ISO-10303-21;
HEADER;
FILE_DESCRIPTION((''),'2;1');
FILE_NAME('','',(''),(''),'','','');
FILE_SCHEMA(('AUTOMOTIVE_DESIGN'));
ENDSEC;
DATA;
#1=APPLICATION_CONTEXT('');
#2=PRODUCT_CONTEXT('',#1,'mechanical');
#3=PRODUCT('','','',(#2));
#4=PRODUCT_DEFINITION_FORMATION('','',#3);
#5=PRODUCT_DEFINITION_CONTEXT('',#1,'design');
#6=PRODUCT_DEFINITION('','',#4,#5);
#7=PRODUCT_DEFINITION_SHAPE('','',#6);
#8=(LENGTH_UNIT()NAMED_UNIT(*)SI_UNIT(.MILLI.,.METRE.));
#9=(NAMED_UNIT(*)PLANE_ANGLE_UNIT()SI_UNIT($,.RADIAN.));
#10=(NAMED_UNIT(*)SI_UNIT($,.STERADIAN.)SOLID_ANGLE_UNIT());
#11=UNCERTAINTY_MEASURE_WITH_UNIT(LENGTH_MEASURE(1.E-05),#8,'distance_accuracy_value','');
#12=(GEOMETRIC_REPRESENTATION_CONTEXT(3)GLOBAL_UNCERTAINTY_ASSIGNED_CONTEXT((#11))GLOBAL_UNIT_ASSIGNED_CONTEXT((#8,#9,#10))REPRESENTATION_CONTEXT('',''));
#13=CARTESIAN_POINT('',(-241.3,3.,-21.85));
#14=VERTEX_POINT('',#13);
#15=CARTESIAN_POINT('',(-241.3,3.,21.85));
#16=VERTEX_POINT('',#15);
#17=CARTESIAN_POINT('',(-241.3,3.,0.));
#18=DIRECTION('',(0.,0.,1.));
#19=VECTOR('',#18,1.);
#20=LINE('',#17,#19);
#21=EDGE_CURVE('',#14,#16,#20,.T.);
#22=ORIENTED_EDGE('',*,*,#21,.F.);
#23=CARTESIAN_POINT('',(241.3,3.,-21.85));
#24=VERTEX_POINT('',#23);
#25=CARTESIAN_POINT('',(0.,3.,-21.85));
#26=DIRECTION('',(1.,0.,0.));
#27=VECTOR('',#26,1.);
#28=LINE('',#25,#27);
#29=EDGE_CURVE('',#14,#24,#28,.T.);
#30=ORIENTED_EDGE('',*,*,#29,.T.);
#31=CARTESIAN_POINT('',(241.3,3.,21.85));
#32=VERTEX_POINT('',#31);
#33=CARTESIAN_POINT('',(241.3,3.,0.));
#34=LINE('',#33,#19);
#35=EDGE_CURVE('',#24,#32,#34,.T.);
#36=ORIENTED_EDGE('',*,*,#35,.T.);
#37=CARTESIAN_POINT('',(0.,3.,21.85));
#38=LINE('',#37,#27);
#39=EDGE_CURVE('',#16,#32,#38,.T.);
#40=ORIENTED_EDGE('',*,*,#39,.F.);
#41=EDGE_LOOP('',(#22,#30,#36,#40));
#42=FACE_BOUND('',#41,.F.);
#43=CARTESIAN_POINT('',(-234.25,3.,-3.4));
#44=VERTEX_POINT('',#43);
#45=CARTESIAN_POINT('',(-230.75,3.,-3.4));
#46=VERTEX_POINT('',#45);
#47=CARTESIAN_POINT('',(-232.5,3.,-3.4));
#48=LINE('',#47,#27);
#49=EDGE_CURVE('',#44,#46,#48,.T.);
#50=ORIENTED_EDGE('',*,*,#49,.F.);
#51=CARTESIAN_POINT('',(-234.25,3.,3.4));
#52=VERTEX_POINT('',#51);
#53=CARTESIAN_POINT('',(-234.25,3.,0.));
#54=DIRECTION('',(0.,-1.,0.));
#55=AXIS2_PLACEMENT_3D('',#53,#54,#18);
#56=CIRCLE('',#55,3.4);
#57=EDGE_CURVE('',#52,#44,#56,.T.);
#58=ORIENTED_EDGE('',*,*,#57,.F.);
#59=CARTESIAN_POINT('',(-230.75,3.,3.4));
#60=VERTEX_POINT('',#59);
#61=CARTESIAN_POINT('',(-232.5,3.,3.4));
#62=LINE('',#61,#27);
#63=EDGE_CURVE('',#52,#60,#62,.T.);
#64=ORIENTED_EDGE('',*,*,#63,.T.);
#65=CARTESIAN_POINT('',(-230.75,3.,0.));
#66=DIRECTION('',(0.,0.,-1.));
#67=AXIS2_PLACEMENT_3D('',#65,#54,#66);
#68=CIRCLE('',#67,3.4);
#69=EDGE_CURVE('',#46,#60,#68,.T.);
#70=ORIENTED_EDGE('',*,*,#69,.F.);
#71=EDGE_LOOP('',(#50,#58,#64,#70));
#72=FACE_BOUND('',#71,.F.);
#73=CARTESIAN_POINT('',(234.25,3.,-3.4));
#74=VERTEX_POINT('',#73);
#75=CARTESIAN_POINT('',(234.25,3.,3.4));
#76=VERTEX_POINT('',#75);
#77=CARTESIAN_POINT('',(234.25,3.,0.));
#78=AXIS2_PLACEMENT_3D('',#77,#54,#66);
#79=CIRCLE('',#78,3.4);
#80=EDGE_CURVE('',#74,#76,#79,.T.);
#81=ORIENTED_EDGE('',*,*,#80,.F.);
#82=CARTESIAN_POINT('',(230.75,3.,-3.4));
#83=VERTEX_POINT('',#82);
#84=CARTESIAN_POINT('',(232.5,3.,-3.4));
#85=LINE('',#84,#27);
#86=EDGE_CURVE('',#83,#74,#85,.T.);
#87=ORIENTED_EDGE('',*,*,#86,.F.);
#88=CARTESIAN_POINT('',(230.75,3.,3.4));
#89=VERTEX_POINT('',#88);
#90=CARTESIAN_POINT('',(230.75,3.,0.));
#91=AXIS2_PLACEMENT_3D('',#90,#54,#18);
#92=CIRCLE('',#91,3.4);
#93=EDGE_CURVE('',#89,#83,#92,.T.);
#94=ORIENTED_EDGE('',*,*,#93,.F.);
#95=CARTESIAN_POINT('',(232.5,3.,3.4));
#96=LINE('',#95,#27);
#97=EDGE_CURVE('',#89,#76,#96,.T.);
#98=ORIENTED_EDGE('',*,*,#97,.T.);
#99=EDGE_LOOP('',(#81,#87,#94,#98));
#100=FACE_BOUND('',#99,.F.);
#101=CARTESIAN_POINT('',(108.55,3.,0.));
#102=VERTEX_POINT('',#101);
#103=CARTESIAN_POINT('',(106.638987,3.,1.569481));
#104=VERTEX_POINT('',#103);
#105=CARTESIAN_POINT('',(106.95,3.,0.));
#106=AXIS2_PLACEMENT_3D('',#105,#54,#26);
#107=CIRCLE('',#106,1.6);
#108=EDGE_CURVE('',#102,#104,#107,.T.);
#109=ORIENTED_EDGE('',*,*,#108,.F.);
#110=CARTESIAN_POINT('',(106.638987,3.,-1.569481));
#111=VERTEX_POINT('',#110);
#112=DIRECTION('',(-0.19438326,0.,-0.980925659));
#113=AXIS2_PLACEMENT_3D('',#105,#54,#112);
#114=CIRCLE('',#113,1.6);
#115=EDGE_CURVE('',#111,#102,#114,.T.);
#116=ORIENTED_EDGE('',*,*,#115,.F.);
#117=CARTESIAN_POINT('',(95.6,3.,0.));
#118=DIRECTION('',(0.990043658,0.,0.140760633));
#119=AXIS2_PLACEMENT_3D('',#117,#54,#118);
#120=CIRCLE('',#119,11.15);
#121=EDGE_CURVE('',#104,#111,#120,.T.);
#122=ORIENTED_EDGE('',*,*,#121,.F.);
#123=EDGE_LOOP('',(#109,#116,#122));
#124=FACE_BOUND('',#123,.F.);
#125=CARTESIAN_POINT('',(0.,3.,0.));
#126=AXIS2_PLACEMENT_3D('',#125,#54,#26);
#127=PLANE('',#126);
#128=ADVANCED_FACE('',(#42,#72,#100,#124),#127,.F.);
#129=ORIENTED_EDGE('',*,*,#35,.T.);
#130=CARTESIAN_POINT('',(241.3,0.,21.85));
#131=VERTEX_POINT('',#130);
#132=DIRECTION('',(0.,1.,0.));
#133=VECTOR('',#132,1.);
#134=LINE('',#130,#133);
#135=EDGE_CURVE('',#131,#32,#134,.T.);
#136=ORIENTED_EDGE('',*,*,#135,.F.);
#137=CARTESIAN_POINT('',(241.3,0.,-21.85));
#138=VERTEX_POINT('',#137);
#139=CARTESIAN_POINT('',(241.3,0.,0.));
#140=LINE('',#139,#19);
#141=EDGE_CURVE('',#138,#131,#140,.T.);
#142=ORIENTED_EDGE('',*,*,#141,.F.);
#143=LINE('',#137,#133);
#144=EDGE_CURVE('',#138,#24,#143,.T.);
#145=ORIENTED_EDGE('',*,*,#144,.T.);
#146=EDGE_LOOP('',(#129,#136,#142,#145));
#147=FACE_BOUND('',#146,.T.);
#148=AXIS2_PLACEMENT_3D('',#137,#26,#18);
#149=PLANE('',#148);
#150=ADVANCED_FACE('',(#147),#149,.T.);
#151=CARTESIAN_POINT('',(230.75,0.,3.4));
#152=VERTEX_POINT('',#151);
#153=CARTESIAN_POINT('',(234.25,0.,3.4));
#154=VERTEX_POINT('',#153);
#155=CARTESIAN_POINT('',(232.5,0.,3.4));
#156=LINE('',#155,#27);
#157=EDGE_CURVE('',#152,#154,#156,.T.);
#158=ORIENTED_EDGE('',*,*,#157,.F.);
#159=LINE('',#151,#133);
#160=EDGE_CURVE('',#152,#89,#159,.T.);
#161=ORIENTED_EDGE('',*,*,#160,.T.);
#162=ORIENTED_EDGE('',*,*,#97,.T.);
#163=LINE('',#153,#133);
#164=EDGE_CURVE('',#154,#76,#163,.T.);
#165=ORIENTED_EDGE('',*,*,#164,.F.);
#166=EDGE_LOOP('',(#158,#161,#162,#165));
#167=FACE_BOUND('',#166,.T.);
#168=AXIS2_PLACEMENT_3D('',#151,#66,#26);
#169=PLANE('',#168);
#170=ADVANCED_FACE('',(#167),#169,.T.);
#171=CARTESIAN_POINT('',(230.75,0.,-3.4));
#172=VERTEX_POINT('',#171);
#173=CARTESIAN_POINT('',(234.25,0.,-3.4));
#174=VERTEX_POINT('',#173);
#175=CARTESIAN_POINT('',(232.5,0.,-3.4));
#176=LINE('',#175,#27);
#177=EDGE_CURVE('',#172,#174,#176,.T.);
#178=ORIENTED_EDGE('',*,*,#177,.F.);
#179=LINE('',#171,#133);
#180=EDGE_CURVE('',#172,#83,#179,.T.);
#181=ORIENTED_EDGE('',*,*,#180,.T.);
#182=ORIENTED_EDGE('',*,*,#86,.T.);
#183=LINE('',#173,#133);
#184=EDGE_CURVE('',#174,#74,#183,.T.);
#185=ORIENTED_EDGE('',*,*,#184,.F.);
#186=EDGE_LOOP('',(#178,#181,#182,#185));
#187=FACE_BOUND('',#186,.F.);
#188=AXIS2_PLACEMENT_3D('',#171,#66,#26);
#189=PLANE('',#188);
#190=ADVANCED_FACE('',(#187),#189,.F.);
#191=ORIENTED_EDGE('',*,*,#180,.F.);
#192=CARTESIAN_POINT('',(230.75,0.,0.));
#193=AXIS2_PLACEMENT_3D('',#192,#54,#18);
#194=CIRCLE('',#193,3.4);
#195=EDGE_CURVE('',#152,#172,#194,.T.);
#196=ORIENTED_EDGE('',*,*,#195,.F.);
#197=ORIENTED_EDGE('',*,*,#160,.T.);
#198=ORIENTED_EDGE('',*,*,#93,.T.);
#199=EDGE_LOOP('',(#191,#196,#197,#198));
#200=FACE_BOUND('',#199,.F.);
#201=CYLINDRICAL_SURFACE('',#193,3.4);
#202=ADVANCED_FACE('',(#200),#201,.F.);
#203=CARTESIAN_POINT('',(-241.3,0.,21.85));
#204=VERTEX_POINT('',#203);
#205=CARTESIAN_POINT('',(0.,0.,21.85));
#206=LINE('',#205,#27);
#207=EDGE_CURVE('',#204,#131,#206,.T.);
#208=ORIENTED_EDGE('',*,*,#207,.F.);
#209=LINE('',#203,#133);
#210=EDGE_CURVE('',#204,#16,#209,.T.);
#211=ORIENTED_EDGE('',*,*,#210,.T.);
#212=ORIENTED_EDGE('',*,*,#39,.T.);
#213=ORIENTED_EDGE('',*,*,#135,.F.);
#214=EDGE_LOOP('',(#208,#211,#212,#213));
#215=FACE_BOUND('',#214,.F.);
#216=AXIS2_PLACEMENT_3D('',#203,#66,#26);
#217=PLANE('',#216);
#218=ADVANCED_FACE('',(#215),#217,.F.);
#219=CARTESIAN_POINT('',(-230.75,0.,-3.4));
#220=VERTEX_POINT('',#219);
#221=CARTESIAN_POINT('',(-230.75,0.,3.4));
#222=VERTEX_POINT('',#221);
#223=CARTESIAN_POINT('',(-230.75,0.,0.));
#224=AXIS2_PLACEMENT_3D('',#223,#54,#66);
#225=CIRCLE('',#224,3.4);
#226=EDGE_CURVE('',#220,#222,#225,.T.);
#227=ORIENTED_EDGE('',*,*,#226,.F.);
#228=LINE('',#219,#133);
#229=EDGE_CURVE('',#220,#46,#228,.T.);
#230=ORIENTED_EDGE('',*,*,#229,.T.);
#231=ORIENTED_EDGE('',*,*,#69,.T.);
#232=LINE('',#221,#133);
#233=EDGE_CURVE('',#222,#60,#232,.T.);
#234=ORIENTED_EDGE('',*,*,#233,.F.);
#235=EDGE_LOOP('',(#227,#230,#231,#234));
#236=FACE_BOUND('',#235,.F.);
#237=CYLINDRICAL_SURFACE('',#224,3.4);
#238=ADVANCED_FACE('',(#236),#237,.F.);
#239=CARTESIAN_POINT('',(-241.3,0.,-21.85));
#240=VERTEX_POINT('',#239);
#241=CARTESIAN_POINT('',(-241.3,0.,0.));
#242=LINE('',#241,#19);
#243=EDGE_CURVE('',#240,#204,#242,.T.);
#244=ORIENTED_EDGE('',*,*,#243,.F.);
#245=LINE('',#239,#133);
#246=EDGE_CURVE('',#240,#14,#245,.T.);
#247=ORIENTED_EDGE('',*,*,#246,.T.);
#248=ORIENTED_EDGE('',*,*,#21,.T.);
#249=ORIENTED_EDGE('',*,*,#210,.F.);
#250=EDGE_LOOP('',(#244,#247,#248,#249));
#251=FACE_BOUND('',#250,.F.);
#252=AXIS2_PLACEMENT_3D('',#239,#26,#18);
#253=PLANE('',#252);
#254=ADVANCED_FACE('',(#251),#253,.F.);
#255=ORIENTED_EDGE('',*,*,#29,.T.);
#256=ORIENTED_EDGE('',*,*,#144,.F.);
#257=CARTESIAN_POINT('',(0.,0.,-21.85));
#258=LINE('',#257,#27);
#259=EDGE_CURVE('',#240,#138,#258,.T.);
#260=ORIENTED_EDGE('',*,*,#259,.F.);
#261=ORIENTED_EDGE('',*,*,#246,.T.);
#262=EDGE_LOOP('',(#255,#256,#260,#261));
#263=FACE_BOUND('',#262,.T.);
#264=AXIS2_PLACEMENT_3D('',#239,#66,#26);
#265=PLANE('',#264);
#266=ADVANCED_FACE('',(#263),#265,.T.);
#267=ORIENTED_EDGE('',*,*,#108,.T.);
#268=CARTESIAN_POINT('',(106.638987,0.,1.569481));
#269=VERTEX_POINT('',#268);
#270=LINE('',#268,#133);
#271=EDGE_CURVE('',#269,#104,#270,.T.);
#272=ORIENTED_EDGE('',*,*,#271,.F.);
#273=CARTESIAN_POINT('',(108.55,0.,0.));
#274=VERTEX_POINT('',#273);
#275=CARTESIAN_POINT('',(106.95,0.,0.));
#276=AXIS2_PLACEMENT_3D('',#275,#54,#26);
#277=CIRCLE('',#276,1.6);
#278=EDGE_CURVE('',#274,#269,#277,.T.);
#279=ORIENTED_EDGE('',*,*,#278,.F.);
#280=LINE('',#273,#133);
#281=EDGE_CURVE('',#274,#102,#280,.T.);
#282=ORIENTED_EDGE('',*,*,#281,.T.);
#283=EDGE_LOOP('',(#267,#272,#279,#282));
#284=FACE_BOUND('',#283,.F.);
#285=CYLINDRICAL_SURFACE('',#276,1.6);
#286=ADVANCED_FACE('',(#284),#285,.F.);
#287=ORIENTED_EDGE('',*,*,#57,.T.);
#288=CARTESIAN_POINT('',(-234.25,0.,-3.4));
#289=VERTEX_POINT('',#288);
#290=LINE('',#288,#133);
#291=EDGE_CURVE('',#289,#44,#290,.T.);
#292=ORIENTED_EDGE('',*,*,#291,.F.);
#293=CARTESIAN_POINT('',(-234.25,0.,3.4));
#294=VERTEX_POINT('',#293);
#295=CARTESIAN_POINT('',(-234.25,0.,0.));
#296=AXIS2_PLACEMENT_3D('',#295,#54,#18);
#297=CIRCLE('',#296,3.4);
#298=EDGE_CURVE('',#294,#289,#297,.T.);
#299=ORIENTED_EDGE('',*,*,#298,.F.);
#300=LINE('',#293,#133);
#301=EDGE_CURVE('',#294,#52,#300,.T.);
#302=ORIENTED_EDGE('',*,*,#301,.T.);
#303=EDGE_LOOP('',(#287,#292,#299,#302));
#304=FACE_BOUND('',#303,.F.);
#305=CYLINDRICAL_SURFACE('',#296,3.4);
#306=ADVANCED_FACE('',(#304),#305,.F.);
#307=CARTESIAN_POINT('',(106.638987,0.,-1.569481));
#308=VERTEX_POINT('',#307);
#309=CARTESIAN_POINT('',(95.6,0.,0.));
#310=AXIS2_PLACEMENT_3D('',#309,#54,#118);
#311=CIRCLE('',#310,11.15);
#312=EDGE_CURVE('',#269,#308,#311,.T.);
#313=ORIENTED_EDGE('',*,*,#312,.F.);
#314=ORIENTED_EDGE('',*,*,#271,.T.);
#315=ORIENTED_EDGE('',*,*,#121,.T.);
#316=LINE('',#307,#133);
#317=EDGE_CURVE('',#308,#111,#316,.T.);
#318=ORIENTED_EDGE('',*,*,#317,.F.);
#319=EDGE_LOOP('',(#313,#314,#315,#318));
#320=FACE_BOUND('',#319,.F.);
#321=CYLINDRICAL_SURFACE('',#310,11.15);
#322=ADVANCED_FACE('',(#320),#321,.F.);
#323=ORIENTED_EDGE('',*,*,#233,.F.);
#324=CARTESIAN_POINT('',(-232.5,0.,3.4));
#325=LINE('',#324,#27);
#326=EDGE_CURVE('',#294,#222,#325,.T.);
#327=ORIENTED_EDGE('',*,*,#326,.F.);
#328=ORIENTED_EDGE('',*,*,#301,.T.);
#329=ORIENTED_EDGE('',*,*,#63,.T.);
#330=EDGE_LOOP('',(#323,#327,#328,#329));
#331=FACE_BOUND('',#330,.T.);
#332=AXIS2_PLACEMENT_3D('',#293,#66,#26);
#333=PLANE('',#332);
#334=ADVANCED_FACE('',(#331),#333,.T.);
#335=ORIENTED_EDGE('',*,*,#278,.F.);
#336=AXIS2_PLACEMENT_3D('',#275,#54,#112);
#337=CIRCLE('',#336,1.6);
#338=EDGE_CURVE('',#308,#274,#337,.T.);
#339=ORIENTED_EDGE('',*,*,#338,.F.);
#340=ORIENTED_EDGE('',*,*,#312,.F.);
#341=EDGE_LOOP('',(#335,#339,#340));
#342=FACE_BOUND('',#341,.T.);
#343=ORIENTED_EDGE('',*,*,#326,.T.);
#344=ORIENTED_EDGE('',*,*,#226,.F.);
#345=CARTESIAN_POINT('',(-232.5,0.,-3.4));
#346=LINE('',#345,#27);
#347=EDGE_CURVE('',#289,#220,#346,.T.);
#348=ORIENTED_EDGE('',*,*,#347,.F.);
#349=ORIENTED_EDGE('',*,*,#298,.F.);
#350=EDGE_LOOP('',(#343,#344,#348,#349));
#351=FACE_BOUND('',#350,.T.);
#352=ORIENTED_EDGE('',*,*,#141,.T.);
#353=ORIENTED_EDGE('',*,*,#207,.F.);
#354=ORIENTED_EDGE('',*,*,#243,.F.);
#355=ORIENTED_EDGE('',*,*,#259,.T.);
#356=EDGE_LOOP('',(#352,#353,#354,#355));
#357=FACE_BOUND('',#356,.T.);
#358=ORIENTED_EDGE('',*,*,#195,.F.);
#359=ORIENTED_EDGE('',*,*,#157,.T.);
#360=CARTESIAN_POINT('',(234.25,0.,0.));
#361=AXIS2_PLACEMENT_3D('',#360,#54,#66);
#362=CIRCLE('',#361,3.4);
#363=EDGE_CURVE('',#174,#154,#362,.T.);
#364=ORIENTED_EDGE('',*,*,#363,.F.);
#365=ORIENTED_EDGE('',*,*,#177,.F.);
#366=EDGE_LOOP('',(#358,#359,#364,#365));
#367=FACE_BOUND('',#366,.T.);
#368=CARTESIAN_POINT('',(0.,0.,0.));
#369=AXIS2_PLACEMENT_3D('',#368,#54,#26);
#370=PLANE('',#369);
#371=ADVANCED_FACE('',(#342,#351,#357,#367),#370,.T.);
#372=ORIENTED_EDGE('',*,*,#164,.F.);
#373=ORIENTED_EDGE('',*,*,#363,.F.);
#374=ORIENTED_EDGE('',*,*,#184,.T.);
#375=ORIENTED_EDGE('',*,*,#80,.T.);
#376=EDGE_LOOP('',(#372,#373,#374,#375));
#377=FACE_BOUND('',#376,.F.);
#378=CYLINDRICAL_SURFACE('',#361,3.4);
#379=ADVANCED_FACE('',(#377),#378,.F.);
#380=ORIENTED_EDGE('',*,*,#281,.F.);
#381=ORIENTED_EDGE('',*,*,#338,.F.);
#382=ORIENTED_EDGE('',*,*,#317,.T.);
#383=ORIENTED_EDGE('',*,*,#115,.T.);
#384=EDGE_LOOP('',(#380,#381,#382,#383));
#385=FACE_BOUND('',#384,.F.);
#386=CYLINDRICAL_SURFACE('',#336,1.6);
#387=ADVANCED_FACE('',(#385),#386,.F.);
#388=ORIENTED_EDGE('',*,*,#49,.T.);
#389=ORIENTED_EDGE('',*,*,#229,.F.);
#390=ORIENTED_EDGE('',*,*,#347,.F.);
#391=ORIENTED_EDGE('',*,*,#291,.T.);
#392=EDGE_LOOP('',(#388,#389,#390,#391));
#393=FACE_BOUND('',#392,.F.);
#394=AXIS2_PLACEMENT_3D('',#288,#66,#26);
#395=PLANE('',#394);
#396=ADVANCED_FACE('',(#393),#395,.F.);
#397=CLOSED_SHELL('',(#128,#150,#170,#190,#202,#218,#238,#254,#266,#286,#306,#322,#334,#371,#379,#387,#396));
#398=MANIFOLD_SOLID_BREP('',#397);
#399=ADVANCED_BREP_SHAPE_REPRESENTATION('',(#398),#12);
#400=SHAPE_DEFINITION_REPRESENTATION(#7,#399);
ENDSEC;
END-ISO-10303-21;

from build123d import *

# Parameters (mm, degrees)
F0_W     = 482.6
F0_H     = 43.7
F1_DEPTH = 3
F2_W     = 3.5
F2_H     = 6.8
F3_W     = 3.5
F3_H     = 6.8
F4_DEPTH = 3
F6_DEPTH = 3


with BuildPart() as f1:
    # F0 (on Front) → F1 (new body)
    with BuildSketch(Plane.XZ):
        Rectangle(F0_W, F0_H)
    extrude(amount=-F1_DEPTH)

    # F2 (on face) + F3 (on face) → F4 (cut)
    with BuildSketch(Plane.XZ):
        with Locations((-232.5, 0)):
            Rectangle(F2_W, F2_H)
        with BuildLine():
            Line((-230.75, 3.4), (-230.75, -3.4))
            ThreePointArc((-230.75, -3.4), (-227.35, 0), (-230.75, 3.4))
        make_face()
        with BuildLine():
            ThreePointArc((-234.25, 3.4), (-237.65, 0), (-234.25, -3.4))
            Line((-234.25, -3.4), (-234.25, 3.4))
        make_face()
    with BuildSketch(Plane.XZ):
        with Locations((232.5, 0)):
            Rectangle(F3_W, F3_H)
        with BuildLine():
            Line((234.25, 3.4), (234.25, -3.4))
            ThreePointArc((234.25, -3.4), (237.65, 0), (234.25, 3.4))
        make_face()
        with BuildLine():
            ThreePointArc((230.75, 3.4), (227.35, 0), (230.75, -3.4))
            Line((230.75, -3.4), (230.75, 3.4))
        make_face()
    extrude(amount=-F4_DEPTH, mode=Mode.SUBTRACT)

    # F5 (on face) → F6 (cut)
    with BuildSketch(Plane.XZ):
        with BuildLine():
            ThreePointArc((106.6389867841, -1.5694810542), (107.9654749762, -1.2364507967), (108.55, 0))
            ThreePointArc((108.55, 0), (107.9654749762, 1.2364507967), (106.6389867841, 1.5694810542))
            ThreePointArc((106.6389867841, 1.5694810542), (106.7222120696, 0.7867011367), (106.75, 0))
            ThreePointArc((106.75, 0), (106.7222120696, -0.7867011367), (106.6389867841, -1.5694810542))
        make_face()
        with BuildLine():
            ThreePointArc((106.75, 0), (106.7222120696, 0.7867011367), (106.6389867841, 1.5694810542))
            ThreePointArc((106.6389867841, 1.5694810542), (105.35, 0), (106.6389867841, -1.5694810542))
            ThreePointArc((106.6389867841, -1.5694810542), (106.7222120696, -0.7867011367), (106.75, 0))
        make_face()
        with BuildLine():
            ThreePointArc((106.6389867841, -1.5694810542), (105.35, 0), (106.6389867841, 1.5694810542))
            ThreePointArc((106.6389867841, 1.5694810542), (84.45, 0), (106.6389867841, -1.5694810542))
        make_face()
    extrude(amount=-F6_DEPTH, mode=Mode.SUBTRACT)


solid = f1.part
